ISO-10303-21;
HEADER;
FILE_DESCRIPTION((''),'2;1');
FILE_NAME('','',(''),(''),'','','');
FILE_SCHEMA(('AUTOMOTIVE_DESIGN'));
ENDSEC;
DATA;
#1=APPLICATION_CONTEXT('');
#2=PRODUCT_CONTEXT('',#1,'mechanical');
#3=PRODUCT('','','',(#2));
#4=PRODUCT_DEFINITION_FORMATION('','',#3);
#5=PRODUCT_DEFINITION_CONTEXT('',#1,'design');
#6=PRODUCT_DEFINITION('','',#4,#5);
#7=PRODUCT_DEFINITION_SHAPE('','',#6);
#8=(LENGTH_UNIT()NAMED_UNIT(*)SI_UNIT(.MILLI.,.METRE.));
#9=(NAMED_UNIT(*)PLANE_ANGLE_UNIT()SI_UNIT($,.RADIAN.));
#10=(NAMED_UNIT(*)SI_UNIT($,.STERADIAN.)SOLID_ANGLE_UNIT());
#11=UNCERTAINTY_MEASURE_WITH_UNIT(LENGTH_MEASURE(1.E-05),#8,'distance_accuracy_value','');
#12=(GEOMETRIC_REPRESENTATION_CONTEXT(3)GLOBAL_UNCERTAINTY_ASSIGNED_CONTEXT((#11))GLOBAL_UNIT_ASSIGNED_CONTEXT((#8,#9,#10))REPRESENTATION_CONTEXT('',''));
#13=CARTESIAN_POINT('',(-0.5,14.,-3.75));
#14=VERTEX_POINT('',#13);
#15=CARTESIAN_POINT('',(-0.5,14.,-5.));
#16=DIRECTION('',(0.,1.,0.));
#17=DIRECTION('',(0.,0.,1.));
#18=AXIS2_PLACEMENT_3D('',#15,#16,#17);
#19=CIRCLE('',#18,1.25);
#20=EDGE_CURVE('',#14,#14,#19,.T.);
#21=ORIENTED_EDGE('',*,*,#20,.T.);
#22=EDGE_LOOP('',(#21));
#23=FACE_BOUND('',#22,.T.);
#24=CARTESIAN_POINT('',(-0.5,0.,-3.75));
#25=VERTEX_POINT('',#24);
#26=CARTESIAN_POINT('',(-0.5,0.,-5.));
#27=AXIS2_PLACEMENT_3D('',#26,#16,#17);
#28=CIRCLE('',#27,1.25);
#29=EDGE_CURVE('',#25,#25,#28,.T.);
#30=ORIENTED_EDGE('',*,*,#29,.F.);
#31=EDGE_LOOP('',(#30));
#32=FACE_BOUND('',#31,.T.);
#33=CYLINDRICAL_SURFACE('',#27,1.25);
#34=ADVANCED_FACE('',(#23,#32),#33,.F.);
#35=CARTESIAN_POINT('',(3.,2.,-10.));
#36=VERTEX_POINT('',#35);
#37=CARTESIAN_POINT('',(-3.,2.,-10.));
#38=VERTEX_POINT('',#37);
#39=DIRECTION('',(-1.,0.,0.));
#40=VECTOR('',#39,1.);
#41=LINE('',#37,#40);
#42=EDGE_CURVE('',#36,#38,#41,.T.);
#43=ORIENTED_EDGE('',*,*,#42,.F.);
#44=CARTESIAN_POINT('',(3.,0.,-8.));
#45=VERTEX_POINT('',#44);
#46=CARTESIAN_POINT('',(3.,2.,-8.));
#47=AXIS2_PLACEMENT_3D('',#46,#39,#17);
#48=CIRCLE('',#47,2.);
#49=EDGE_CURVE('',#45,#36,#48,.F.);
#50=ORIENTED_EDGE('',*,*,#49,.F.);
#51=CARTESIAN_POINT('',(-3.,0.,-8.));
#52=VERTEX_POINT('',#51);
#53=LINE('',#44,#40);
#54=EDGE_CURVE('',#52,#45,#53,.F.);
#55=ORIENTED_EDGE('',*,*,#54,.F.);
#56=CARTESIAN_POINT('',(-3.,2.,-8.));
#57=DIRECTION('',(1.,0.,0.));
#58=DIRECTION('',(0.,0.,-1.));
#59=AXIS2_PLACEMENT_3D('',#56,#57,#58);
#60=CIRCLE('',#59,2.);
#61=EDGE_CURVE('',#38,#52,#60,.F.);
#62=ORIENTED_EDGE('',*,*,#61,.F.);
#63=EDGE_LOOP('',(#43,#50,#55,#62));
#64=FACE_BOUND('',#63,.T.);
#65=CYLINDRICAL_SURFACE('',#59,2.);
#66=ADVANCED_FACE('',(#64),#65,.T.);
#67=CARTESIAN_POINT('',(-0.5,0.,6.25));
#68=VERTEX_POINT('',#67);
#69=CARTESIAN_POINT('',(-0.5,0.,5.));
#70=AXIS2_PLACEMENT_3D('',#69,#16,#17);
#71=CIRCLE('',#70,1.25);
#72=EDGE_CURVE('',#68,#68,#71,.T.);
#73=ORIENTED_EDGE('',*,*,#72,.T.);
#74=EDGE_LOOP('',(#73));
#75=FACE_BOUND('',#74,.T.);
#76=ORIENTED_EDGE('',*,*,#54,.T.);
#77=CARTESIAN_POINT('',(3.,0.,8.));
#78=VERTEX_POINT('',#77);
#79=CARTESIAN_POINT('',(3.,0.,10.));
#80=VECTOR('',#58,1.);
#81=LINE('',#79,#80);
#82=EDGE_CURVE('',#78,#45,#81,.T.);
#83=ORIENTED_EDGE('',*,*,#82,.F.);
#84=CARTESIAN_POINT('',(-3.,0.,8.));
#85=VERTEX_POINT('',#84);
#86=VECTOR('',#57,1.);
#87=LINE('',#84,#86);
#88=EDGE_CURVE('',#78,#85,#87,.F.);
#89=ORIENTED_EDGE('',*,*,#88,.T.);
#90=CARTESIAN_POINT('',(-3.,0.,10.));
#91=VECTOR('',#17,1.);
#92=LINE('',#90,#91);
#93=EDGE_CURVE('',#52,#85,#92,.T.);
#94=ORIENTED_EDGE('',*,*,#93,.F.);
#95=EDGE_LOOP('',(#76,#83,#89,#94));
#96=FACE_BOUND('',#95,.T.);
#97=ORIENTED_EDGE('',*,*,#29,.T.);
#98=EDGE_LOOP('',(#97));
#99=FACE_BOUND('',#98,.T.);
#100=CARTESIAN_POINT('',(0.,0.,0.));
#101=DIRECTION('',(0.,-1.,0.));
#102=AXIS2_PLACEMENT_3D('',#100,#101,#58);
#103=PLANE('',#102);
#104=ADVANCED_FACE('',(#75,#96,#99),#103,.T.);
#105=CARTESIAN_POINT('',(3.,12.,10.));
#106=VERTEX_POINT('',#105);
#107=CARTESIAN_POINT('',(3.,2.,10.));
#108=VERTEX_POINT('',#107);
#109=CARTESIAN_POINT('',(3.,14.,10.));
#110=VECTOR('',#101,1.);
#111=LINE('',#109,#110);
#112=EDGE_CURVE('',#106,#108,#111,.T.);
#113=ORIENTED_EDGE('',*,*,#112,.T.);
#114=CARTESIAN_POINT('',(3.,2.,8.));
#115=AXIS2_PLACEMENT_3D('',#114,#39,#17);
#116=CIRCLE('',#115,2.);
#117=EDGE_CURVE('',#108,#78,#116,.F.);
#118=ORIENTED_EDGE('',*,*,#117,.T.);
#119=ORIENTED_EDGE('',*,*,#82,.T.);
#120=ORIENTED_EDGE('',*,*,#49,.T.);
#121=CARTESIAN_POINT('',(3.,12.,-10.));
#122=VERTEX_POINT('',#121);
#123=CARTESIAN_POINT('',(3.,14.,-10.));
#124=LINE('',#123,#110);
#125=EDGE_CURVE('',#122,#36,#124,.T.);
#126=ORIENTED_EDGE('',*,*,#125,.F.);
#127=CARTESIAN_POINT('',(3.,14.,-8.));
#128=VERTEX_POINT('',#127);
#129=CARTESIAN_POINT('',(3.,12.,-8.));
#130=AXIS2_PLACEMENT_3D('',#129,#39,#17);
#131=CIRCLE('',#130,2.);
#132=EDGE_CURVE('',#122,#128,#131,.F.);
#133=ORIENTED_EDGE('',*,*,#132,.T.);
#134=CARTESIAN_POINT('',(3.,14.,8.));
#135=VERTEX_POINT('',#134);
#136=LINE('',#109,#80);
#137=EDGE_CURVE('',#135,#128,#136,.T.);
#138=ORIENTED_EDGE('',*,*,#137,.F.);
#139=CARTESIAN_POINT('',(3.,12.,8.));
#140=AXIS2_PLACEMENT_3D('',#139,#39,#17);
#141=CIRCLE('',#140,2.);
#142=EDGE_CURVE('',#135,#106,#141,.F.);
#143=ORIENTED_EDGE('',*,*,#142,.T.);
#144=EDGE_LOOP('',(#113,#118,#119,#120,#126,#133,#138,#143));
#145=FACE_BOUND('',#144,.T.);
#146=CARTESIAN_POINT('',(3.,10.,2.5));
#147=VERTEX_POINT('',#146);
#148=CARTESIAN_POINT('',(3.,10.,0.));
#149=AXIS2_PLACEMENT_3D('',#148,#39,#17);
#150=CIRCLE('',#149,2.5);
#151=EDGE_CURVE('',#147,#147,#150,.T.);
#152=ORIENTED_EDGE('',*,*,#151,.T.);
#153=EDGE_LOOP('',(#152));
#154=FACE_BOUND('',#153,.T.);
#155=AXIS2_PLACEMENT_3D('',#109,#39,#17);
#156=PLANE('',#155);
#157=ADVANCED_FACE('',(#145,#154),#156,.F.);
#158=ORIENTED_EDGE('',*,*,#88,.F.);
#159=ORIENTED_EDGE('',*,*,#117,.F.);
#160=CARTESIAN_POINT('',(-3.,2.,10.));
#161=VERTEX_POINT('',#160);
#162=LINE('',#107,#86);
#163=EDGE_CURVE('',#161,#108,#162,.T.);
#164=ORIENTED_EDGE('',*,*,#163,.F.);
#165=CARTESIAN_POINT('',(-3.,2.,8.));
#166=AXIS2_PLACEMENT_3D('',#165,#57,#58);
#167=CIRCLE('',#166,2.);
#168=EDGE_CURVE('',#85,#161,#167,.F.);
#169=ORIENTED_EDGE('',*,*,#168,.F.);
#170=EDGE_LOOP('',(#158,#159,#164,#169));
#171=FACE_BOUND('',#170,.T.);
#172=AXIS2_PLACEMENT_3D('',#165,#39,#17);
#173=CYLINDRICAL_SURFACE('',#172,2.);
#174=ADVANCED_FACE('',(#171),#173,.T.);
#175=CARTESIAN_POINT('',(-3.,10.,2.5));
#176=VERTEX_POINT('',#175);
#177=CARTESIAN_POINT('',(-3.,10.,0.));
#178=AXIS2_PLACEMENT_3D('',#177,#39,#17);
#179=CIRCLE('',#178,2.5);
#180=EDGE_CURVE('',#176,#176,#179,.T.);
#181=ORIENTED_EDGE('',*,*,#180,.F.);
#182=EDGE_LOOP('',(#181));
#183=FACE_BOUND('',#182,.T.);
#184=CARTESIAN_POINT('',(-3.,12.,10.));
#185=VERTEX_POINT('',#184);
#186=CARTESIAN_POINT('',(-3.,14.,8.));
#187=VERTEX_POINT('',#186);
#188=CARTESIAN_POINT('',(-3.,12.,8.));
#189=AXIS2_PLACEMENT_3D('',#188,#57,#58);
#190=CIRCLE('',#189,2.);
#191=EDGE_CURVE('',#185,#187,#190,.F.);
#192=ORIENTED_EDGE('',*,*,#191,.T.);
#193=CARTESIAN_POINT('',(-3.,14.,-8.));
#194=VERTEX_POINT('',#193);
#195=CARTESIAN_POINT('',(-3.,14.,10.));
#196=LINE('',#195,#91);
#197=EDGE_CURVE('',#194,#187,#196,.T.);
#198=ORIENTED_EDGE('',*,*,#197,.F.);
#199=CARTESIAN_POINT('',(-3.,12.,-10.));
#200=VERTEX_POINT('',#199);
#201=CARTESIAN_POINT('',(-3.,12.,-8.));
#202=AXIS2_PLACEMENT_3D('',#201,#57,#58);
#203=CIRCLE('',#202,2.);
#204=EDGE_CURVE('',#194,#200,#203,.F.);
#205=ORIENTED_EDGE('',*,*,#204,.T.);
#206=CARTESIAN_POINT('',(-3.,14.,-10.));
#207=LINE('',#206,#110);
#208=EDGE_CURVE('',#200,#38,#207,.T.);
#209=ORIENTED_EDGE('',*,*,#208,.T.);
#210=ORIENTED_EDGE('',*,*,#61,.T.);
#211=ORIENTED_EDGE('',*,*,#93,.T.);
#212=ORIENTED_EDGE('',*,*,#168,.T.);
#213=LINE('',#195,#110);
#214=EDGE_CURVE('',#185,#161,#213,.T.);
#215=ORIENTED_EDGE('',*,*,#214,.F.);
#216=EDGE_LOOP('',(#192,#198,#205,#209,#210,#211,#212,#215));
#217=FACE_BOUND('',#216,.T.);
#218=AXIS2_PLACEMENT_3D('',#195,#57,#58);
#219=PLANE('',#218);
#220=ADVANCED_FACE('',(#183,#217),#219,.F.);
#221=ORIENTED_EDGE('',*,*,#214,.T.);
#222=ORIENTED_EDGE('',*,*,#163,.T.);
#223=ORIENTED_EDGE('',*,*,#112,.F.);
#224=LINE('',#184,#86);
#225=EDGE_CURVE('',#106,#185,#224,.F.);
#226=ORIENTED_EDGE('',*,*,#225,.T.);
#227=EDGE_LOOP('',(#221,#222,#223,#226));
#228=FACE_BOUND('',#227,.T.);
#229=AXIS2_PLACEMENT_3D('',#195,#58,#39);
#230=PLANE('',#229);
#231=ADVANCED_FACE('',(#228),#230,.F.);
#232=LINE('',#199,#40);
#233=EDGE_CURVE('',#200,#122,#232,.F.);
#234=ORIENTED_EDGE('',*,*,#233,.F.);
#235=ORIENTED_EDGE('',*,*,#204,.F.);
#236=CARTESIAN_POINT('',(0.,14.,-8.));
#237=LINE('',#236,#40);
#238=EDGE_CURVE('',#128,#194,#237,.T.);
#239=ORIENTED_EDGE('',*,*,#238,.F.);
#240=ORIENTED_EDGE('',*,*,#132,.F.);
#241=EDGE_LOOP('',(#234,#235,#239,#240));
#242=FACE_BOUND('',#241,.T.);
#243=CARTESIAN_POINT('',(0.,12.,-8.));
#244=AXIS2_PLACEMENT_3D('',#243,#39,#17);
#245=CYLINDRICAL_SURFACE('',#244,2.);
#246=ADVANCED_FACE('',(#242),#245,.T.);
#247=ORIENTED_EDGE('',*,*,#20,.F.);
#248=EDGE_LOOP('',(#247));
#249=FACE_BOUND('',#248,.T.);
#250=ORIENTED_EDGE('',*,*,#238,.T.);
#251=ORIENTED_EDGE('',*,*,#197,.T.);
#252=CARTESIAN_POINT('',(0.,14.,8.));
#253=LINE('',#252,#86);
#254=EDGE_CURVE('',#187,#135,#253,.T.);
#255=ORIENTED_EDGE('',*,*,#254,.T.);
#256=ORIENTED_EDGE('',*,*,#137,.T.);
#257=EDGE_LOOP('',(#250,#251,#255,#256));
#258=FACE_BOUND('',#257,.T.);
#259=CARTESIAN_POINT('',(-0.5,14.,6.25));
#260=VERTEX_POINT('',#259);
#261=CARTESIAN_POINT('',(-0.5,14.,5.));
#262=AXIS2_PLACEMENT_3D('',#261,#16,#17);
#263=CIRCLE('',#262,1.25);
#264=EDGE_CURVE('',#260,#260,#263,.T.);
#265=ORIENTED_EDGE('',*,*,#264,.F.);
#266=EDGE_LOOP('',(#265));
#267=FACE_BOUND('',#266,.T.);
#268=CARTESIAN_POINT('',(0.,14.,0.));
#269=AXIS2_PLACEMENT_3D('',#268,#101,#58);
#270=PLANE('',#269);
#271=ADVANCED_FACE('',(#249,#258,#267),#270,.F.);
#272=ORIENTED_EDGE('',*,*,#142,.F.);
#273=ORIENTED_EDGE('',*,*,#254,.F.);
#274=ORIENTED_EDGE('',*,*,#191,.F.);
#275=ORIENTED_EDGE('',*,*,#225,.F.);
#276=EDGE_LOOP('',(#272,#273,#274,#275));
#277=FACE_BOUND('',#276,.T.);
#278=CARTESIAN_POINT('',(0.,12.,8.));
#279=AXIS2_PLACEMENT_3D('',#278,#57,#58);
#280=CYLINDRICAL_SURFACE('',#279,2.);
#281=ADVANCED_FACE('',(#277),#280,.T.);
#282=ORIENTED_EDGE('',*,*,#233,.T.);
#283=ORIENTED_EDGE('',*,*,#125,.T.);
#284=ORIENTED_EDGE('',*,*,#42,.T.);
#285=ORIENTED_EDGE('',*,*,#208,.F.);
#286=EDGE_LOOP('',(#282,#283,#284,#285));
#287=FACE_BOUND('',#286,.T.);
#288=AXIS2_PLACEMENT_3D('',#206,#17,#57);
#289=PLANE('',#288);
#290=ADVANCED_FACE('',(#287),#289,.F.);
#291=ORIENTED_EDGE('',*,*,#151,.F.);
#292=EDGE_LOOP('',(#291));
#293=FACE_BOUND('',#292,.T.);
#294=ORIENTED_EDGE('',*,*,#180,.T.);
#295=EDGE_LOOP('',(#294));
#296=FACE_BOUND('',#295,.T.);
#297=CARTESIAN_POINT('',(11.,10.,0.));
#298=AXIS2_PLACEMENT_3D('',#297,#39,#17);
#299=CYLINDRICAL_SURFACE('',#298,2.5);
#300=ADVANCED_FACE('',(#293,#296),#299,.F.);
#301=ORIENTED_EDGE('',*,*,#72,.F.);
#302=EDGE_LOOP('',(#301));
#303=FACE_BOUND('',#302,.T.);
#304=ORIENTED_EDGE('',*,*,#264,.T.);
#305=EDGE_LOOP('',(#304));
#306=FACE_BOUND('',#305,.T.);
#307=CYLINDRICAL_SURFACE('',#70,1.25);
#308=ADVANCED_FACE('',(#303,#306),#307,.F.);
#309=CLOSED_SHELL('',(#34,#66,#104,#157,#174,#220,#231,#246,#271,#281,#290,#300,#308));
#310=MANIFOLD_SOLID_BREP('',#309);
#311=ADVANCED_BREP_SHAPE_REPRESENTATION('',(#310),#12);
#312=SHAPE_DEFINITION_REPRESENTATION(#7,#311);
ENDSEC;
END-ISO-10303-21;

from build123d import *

# Parameters (mm, degrees)
SKETCH_1_W          = 6
SKETCH_1_H          = 20
EXTRUDE_1_DEPTH     = 14
SKETCH_2_R          = 1.25
CUT_EXTRUDE_1_DEPTH = 14
SKETCH_3_R          = 2.5
CUT_EXTRUDE_2_DEPTH = 14
FILLET_1_R          = 2


with BuildPart() as part:
    # 草图1 → 凸台-拉伸1 (new body)
    with BuildSketch(Plane(origin=(0, 0, 0), x_dir=(1, 0, 0), z_dir=(0, 1, 0))):
        Rectangle(SKETCH_1_W, SKETCH_1_H)
    extrude(amount=EXTRUDE_1_DEPTH)

    # 草图2 → 切除-拉伸1 (cut)
    with BuildSketch(Plane(origin=(0, 14, 0), x_dir=(1, 0, 0), z_dir=(0, 1, 0))):
        with Locations(Location((-0.5, -5, 0), (0, 0, 270))):
            Circle(SKETCH_2_R)
        with Locations(Location((-0.5, 5, 0), (0, 0, 270))):
            Circle(SKETCH_2_R)
    extrude(amount=-CUT_EXTRUDE_1_DEPTH, mode=Mode.SUBTRACT)

    # 草图3 → 切除-拉伸2 (cut)
    with BuildSketch(Plane.ZY.offset(3)):
        with Locations((0, 10)):
            Circle(SKETCH_3_R)
    extrude(amount=-CUT_EXTRUDE_2_DEPTH, mode=Mode.SUBTRACT)

    # 圆角1
    fillet_1_edges = [part.edges().sort_by_distance(p)[0] for p in [
        (0, 14, 10),
        (0, 0, 10),
        (0, 0, -10),
        (0, 14, -10),
    ]]
    fillet(fillet_1_edges, radius=FILLET_1_R)


solid = part.part
